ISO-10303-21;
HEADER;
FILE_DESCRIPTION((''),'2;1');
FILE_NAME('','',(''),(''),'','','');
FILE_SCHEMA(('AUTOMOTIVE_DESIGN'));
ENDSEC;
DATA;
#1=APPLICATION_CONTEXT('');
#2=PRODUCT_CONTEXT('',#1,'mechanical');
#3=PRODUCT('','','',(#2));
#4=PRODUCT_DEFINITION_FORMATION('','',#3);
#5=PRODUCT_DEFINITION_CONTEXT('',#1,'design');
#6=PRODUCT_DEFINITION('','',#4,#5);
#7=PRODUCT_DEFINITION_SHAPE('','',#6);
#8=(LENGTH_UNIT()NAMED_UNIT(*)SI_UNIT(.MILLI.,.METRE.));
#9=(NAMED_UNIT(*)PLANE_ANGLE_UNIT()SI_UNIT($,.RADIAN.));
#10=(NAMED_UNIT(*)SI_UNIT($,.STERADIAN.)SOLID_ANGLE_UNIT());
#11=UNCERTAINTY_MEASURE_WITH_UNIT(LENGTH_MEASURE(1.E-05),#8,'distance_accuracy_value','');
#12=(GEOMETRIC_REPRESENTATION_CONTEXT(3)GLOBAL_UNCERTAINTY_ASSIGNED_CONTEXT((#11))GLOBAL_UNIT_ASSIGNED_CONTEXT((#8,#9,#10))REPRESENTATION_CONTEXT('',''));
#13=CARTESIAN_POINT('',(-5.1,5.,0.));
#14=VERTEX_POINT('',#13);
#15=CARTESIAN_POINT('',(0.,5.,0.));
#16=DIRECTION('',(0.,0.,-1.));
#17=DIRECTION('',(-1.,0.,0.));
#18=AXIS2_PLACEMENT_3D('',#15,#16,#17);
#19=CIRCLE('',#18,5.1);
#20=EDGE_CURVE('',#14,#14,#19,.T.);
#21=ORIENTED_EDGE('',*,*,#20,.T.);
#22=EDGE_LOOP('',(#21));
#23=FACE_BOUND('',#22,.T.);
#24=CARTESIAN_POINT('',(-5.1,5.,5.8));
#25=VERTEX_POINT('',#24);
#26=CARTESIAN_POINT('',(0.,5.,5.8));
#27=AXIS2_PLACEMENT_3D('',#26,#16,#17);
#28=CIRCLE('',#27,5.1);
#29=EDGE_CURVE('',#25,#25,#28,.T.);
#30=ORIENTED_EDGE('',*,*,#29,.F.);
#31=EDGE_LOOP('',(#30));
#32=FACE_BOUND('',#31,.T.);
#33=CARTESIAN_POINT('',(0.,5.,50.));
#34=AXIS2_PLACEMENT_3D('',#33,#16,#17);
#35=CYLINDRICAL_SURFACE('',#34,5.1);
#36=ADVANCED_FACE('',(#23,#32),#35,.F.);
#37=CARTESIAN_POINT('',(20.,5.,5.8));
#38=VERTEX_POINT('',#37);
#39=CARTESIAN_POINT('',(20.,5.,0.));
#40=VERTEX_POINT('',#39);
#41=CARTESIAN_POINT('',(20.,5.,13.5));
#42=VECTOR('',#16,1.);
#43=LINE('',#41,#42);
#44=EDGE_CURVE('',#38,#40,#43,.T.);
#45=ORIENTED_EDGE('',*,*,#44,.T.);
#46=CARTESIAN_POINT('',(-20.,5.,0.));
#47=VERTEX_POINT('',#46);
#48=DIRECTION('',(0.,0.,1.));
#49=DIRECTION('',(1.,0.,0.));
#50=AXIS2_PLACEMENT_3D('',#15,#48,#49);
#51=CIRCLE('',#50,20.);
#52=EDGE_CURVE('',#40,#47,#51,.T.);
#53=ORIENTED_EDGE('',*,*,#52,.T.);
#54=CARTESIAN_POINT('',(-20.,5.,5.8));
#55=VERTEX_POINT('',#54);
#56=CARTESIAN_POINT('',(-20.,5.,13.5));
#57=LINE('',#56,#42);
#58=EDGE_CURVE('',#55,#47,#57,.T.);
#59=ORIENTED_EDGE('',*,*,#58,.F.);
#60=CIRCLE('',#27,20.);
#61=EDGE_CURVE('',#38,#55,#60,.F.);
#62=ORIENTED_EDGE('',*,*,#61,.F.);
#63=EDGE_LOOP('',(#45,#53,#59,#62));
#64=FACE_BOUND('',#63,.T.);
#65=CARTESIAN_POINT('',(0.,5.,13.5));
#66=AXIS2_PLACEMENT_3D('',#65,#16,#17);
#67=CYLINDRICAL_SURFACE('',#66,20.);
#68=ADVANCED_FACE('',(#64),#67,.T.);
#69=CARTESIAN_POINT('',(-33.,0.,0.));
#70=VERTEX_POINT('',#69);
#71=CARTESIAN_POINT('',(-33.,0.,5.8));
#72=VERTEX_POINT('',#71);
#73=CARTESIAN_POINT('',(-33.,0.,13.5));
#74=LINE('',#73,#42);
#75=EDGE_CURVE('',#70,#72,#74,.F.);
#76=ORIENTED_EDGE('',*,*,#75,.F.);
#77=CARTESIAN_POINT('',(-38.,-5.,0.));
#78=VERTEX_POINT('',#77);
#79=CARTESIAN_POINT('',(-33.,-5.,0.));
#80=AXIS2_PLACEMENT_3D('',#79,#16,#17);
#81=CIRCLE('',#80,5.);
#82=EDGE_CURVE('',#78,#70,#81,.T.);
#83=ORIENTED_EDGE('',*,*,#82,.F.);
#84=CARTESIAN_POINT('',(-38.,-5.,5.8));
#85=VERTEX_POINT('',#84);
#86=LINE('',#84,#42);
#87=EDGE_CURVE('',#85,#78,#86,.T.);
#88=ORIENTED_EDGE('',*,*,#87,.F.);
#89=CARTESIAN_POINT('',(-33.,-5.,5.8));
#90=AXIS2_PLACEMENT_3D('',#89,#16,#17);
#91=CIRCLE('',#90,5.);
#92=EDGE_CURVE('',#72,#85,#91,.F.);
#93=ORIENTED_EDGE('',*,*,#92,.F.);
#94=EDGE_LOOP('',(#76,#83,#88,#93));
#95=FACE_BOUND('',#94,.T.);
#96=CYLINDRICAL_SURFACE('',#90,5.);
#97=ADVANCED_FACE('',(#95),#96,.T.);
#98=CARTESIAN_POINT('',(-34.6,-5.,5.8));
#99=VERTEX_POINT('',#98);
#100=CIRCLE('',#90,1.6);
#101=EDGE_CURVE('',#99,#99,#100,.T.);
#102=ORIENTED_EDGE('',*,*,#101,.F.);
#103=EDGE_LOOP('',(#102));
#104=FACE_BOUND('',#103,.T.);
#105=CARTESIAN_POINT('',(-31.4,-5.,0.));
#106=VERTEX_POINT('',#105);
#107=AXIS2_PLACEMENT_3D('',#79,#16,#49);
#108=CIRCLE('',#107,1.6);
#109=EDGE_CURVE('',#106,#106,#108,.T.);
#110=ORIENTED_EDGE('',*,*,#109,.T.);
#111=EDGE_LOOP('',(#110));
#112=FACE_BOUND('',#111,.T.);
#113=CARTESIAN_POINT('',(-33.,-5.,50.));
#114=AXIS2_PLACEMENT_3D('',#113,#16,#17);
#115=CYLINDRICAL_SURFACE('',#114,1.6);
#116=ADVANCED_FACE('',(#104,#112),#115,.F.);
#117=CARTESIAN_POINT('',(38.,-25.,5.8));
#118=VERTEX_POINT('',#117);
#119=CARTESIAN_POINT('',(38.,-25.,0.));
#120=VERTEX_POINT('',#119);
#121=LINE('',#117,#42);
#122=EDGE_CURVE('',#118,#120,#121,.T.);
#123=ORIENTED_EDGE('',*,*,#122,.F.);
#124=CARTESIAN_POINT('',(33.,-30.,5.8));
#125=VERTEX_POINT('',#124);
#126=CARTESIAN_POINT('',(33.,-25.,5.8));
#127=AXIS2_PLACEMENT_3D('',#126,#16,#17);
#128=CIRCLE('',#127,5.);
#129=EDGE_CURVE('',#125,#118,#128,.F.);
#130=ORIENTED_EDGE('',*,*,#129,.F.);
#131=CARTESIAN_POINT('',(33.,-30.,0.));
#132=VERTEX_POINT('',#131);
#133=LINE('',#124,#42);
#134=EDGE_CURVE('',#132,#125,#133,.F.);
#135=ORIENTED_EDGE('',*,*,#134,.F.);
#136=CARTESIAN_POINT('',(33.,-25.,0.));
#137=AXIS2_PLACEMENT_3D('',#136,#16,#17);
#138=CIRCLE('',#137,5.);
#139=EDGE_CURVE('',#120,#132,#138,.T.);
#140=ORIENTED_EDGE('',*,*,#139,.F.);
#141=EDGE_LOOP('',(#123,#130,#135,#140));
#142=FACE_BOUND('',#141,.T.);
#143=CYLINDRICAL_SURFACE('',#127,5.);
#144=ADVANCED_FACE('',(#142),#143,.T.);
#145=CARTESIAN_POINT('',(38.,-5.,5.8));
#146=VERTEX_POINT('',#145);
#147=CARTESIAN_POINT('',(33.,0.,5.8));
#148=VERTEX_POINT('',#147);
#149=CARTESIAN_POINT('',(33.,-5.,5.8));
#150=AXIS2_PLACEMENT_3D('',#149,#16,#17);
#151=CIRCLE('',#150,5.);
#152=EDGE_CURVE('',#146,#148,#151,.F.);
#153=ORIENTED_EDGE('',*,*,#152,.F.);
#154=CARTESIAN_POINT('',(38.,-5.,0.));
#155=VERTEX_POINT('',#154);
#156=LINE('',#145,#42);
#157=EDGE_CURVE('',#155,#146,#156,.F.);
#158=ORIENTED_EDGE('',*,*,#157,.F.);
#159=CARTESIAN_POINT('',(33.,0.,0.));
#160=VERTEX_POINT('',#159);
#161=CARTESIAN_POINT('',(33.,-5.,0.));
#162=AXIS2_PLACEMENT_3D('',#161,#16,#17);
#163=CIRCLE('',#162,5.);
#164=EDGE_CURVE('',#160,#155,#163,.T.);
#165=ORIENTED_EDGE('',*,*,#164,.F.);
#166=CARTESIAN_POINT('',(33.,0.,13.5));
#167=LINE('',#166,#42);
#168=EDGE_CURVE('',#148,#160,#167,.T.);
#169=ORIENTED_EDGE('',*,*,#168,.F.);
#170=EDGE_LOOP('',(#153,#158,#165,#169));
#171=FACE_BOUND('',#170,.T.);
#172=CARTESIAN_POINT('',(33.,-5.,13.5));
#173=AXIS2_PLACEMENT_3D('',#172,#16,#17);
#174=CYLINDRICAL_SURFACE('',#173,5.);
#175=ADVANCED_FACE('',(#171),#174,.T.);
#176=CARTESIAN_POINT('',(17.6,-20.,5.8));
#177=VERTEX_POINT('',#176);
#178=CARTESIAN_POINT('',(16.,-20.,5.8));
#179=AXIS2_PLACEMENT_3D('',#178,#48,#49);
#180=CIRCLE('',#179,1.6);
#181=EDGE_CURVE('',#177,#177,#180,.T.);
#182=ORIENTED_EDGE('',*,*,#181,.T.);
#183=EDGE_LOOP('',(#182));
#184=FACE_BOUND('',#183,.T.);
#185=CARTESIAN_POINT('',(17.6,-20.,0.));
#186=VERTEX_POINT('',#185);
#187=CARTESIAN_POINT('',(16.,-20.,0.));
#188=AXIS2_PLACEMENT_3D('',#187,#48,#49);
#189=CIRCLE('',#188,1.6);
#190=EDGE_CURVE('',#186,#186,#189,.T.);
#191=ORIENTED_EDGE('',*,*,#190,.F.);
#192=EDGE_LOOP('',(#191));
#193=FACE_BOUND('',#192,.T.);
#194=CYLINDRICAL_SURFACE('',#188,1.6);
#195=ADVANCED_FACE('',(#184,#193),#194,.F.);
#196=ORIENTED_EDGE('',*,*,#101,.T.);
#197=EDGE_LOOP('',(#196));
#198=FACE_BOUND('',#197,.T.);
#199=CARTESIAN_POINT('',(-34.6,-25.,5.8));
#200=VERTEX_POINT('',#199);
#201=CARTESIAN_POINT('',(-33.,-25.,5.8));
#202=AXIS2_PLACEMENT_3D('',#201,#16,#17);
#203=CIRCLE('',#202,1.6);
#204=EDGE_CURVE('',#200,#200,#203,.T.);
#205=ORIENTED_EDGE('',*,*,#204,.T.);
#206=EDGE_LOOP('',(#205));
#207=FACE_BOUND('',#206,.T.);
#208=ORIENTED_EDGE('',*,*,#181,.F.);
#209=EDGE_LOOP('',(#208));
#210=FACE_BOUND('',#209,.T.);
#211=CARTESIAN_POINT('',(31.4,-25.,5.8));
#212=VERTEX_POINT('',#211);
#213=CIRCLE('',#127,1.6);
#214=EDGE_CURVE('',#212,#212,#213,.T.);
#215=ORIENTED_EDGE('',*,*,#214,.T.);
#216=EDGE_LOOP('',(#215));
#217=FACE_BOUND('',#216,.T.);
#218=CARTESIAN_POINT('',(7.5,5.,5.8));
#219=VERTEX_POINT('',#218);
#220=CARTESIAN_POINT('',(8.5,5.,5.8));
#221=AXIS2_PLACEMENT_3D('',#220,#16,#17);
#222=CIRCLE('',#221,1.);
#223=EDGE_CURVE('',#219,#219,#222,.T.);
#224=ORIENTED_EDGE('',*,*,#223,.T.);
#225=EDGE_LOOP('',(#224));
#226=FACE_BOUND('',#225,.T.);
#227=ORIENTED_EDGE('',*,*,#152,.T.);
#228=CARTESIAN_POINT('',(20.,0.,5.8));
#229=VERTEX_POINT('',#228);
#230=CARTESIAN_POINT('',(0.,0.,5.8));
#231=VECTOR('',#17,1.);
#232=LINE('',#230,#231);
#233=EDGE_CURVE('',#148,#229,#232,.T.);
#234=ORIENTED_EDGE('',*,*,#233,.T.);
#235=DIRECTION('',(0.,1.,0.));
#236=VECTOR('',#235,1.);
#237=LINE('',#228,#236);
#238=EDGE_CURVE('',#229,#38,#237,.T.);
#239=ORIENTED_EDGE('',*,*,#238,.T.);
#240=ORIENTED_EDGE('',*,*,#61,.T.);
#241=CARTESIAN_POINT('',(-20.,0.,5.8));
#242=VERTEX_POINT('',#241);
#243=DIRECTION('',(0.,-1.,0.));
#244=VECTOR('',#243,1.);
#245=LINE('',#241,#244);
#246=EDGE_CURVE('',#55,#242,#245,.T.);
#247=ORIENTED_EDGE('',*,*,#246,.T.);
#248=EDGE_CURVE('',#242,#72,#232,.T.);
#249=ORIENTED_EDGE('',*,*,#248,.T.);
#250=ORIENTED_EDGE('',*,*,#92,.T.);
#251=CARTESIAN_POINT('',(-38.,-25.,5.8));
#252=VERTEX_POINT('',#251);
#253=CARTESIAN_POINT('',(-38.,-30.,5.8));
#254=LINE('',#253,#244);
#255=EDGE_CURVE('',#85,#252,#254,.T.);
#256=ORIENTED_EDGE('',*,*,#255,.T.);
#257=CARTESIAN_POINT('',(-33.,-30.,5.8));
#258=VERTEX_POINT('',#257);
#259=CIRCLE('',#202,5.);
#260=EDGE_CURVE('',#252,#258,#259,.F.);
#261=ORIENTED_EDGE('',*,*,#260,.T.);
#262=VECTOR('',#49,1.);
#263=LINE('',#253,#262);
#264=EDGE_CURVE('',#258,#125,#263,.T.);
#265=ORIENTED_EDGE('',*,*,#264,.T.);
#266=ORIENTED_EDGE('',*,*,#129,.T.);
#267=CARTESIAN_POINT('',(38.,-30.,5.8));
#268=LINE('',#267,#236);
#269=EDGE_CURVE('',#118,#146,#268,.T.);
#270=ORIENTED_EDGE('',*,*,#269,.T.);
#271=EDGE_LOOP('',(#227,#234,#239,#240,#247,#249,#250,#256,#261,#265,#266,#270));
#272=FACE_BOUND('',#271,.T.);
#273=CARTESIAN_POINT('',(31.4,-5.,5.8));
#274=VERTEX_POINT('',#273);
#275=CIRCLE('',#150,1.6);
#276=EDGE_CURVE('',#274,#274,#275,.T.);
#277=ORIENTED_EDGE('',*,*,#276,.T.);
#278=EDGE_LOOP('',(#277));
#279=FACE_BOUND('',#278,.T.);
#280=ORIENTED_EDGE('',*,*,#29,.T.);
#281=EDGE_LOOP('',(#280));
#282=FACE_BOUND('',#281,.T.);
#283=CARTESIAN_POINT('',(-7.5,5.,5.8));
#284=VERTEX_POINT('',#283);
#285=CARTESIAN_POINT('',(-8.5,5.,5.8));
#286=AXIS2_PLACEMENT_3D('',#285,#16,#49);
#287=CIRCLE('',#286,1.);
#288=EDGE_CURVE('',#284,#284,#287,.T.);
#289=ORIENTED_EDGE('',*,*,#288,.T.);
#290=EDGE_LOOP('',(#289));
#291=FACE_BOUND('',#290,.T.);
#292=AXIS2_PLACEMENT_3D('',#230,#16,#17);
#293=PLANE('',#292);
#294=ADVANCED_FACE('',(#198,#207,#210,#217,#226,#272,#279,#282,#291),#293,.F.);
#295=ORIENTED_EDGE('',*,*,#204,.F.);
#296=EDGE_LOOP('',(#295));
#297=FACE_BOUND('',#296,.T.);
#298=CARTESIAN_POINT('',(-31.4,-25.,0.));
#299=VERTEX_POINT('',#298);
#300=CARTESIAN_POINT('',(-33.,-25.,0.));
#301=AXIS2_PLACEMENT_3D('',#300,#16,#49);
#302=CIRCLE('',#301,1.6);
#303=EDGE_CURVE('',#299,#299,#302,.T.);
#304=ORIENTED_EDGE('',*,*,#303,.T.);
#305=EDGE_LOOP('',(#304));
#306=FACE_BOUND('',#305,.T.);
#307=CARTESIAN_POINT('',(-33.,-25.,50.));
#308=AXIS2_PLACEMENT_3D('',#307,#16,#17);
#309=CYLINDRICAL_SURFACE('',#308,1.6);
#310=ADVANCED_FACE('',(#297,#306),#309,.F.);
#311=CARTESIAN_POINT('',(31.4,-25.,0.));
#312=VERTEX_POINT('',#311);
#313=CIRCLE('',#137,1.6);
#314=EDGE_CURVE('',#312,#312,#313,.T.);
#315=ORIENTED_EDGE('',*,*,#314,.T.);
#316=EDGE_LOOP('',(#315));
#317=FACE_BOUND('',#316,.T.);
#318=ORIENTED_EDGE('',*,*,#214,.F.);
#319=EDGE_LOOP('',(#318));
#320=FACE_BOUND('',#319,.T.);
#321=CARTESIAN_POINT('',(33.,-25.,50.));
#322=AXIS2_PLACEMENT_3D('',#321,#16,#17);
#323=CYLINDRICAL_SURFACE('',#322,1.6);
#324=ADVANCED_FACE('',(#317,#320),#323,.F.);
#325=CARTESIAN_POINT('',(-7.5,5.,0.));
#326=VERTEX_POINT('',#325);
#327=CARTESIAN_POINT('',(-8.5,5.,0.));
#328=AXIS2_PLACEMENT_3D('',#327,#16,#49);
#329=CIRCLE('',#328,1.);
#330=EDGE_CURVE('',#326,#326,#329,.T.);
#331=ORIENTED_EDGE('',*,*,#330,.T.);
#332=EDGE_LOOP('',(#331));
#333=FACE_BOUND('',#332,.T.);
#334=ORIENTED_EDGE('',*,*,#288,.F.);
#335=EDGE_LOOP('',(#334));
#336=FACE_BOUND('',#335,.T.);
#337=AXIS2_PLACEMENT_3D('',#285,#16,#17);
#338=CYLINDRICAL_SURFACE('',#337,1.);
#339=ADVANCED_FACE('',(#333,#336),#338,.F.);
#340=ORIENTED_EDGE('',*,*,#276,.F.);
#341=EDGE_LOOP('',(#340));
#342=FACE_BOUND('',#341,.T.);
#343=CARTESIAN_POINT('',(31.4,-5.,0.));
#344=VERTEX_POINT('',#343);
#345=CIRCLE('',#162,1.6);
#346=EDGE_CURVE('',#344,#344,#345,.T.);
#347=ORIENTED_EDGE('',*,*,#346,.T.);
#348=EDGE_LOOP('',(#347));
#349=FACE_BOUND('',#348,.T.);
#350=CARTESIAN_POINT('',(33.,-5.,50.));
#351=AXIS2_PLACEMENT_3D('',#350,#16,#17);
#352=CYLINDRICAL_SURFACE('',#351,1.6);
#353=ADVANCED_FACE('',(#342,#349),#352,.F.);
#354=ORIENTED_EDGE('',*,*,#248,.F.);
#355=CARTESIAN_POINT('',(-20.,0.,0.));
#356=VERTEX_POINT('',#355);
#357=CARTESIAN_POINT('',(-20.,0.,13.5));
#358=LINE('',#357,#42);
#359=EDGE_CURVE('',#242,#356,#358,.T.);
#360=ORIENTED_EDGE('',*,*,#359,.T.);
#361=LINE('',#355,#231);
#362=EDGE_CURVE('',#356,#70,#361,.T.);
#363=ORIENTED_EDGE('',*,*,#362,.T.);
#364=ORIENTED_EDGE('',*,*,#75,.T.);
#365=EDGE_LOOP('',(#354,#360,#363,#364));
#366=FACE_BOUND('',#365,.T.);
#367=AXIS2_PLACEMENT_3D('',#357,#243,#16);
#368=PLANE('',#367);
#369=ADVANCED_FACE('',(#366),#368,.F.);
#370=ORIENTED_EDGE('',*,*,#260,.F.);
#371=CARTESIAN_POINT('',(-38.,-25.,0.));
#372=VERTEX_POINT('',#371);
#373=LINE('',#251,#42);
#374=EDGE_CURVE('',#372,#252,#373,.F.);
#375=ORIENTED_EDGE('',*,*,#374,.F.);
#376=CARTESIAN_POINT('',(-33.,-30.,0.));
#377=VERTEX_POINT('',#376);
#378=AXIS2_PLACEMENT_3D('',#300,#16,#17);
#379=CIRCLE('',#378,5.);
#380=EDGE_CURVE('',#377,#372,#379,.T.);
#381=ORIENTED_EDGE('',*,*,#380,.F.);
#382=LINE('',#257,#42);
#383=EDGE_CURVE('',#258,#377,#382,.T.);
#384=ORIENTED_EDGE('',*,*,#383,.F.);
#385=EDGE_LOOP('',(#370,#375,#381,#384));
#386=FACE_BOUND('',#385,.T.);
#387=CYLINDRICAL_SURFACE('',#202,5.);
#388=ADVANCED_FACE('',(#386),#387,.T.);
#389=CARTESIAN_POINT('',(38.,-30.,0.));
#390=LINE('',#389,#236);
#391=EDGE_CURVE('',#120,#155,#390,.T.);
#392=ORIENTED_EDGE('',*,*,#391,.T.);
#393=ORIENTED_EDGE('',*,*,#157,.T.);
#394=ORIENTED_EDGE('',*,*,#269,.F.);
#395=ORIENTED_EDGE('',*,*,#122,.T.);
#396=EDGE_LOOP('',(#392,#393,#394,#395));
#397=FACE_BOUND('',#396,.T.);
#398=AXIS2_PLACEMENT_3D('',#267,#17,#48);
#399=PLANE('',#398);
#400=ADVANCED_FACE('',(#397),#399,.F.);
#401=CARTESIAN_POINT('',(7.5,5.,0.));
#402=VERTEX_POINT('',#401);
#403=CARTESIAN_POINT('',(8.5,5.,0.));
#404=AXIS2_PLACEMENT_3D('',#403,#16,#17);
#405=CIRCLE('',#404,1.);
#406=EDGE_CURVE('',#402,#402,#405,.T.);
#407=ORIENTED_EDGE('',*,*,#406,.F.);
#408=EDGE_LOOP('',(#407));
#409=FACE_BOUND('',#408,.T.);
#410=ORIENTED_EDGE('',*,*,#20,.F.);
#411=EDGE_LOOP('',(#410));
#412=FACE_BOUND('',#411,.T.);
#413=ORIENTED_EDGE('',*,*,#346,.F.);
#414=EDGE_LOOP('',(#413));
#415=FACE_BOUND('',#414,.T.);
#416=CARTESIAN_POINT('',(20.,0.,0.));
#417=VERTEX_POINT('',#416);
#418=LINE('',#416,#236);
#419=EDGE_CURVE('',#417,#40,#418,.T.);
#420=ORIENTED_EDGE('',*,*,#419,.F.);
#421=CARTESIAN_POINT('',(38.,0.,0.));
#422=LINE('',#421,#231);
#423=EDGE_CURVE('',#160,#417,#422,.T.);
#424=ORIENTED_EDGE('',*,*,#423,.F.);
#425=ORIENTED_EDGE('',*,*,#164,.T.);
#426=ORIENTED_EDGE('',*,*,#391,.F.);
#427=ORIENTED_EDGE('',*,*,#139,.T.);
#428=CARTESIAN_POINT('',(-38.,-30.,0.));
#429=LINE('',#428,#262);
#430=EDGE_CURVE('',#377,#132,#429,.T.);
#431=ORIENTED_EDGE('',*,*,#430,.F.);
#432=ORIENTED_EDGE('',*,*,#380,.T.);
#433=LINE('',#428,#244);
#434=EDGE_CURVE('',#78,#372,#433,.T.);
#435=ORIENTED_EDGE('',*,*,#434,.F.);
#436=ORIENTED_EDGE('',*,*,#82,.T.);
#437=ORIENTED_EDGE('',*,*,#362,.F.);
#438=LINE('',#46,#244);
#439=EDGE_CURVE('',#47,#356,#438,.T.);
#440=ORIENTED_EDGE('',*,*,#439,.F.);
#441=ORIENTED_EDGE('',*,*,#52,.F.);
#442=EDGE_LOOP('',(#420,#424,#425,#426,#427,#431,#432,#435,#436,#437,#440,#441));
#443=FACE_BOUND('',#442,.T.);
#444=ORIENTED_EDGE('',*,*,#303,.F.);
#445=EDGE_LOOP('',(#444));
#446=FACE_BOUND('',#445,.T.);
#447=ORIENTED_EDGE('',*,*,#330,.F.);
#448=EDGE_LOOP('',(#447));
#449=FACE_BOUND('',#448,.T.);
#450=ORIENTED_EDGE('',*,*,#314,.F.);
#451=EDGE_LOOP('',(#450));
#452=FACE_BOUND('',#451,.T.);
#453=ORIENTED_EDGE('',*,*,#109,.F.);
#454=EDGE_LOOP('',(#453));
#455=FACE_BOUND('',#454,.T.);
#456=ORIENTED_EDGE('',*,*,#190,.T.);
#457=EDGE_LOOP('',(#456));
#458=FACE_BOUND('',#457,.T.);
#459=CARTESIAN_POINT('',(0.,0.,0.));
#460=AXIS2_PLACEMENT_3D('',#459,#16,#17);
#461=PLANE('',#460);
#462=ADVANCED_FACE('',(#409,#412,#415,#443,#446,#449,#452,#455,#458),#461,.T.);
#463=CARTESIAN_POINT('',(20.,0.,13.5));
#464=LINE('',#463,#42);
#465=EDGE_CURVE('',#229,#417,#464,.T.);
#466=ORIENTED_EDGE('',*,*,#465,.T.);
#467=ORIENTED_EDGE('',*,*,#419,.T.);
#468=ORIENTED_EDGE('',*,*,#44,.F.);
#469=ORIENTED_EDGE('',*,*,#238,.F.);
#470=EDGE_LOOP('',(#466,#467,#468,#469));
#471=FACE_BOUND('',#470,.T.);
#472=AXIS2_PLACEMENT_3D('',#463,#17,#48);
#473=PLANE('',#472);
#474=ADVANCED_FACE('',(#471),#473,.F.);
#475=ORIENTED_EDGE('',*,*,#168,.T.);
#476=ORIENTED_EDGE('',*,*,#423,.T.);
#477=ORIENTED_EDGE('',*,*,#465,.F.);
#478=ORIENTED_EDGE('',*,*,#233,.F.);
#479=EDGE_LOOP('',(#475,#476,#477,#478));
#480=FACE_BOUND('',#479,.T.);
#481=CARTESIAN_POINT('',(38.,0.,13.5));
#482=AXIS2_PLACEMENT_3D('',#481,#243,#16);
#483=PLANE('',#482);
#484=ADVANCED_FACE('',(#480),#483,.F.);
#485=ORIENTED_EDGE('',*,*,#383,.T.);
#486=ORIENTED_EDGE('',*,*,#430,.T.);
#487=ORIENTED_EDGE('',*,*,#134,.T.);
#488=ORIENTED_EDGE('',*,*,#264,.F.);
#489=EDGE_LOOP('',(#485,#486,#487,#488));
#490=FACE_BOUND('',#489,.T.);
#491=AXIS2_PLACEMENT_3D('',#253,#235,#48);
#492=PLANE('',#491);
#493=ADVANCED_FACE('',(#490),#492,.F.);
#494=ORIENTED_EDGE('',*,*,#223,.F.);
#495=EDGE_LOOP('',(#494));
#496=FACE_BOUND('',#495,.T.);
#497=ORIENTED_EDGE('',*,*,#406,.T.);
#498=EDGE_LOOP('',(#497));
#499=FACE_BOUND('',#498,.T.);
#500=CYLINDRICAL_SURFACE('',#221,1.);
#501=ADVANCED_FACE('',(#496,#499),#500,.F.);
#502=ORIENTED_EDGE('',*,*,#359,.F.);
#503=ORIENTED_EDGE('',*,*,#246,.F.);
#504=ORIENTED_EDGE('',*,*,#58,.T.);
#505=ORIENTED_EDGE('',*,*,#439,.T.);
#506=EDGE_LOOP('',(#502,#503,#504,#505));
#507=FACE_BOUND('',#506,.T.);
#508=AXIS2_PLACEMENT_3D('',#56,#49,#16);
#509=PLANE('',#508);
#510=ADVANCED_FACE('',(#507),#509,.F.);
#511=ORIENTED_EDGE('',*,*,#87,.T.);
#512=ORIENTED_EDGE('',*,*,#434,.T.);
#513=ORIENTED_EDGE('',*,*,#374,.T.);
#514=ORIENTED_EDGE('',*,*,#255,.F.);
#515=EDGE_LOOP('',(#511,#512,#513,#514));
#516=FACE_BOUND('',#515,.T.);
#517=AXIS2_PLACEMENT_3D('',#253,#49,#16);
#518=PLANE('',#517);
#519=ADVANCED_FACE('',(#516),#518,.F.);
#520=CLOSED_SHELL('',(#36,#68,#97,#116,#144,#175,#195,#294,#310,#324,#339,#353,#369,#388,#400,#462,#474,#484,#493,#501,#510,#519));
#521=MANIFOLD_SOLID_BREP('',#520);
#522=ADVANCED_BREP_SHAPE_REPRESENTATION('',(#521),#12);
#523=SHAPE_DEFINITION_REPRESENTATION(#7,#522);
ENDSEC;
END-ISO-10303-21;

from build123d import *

# Parameters (mm, degrees)
SKETCH_1_W          = 76
SKETCH_1_H          = 60
EXTRUDE_3_DEPTH     = 5.8
SKETCH_4_R          = 5.1
SKETCH_4_R_2        = 1.6
CUT_EXTRUDE_2_DEPTH = 50
FILLET_4_R          = 5
CUT_EXTRUDE_7_DEPTH = 13.5
FILLET_8_R          = 5
SKETCH_11_R         = 1
CUT_EXTRUDE_8_DEPTH = 49.76105003
SKETCH_12_R         = 1.6
CUT_EXTRUDE_9_DEPTH = 49.76105003


with BuildPart() as part:
    # ｽｹｯﾁ1 → ﾎﾞｽ - 押し出し3 (new body)
    with BuildSketch(Plane.XY):
        Rectangle(SKETCH_1_W, SKETCH_1_H)
    extrude(amount=EXTRUDE_3_DEPTH)

    # ｽｹｯﾁ4 → ｶｯﾄ - 押し出し2 (cut)
    with BuildSketch(Plane(origin=(0, 0, 0), x_dir=(-1, 0, 0), z_dir=(0, 0, -1))):
        with Locations((0, 5)):
            Circle(SKETCH_4_R)
        with Locations((-33, -5)):
            Circle(SKETCH_4_R_2)
        with Locations((-33, -25)):
            Circle(SKETCH_4_R_2)
        with Locations((33, -25)):
            Circle(SKETCH_4_R_2)
        with Locations((33, -5)):
            Circle(SKETCH_4_R_2)
    extrude(amount=-CUT_EXTRUDE_2_DEPTH, mode=Mode.SUBTRACT)

    # ﾌｨﾚｯﾄ4
    fillet_4_edges = [part.edges().sort_by_distance(p)[0] for p in [
        (38, -30, 2.9),
        (-38, -30, 2.9),
        (-38, 30, 2.9),
        (38, 30, 2.9),
    ]]
    fillet(fillet_4_edges, radius=FILLET_4_R)

    # ｽｹｯﾁ10 → ｶｯﾄ - 押し出し7 (cut)
    with BuildSketch(Plane(origin=(0, 0, 0), x_dir=(-1, 0, 0), z_dir=(0, 0, -1))):
        with BuildLine():
            Line((-38, 0), (-20, 0))
            Line((-20, 0), (-20, 5))
            ThreePointArc((-20, 5), (0, 25), (20, 5))
            Line((20, 5), (20, 0))
            Line((20, 0), (38, 0))
            Line((38, 0), (38, 30))
            Line((38, 30), (-38, 30))
            Line((-38, 30), (-38, 0))
        make_face()
    extrude(amount=-CUT_EXTRUDE_7_DEPTH, mode=Mode.SUBTRACT)

    # ﾌｨﾚｯﾄ8
    fillet_8_edges = [part.edges().sort_by_distance(p)[0] for p in [
        (-38, 0, 2.9),
        (38, 0, 2.9),
    ]]
    fillet(fillet_8_edges, radius=FILLET_8_R)

    # ｽｹｯﾁ11 → ｶｯﾄ - 押し出し8 (cut, through all)
    with BuildSketch(Plane(origin=(0, 0, 0), x_dir=(-1, 0, 0), z_dir=(0, 0, -1))):
        with Locations((-8.5, 5)):
            Circle(SKETCH_11_R)
        with Locations(Location((8.5, 5, 0), (0, 0, 180))):
            Circle(SKETCH_11_R)
    extrude(amount=-CUT_EXTRUDE_8_DEPTH, mode=Mode.SUBTRACT)

    # ｽｹｯﾁ12 → ｶｯﾄ - 押し出し9 (cut, through all)
    with BuildSketch(Plane.XY.offset(5.8)):
        with Locations((16, -20)):
            Circle(SKETCH_12_R)
    extrude(amount=-CUT_EXTRUDE_9_DEPTH, mode=Mode.SUBTRACT)


solid = part.part
